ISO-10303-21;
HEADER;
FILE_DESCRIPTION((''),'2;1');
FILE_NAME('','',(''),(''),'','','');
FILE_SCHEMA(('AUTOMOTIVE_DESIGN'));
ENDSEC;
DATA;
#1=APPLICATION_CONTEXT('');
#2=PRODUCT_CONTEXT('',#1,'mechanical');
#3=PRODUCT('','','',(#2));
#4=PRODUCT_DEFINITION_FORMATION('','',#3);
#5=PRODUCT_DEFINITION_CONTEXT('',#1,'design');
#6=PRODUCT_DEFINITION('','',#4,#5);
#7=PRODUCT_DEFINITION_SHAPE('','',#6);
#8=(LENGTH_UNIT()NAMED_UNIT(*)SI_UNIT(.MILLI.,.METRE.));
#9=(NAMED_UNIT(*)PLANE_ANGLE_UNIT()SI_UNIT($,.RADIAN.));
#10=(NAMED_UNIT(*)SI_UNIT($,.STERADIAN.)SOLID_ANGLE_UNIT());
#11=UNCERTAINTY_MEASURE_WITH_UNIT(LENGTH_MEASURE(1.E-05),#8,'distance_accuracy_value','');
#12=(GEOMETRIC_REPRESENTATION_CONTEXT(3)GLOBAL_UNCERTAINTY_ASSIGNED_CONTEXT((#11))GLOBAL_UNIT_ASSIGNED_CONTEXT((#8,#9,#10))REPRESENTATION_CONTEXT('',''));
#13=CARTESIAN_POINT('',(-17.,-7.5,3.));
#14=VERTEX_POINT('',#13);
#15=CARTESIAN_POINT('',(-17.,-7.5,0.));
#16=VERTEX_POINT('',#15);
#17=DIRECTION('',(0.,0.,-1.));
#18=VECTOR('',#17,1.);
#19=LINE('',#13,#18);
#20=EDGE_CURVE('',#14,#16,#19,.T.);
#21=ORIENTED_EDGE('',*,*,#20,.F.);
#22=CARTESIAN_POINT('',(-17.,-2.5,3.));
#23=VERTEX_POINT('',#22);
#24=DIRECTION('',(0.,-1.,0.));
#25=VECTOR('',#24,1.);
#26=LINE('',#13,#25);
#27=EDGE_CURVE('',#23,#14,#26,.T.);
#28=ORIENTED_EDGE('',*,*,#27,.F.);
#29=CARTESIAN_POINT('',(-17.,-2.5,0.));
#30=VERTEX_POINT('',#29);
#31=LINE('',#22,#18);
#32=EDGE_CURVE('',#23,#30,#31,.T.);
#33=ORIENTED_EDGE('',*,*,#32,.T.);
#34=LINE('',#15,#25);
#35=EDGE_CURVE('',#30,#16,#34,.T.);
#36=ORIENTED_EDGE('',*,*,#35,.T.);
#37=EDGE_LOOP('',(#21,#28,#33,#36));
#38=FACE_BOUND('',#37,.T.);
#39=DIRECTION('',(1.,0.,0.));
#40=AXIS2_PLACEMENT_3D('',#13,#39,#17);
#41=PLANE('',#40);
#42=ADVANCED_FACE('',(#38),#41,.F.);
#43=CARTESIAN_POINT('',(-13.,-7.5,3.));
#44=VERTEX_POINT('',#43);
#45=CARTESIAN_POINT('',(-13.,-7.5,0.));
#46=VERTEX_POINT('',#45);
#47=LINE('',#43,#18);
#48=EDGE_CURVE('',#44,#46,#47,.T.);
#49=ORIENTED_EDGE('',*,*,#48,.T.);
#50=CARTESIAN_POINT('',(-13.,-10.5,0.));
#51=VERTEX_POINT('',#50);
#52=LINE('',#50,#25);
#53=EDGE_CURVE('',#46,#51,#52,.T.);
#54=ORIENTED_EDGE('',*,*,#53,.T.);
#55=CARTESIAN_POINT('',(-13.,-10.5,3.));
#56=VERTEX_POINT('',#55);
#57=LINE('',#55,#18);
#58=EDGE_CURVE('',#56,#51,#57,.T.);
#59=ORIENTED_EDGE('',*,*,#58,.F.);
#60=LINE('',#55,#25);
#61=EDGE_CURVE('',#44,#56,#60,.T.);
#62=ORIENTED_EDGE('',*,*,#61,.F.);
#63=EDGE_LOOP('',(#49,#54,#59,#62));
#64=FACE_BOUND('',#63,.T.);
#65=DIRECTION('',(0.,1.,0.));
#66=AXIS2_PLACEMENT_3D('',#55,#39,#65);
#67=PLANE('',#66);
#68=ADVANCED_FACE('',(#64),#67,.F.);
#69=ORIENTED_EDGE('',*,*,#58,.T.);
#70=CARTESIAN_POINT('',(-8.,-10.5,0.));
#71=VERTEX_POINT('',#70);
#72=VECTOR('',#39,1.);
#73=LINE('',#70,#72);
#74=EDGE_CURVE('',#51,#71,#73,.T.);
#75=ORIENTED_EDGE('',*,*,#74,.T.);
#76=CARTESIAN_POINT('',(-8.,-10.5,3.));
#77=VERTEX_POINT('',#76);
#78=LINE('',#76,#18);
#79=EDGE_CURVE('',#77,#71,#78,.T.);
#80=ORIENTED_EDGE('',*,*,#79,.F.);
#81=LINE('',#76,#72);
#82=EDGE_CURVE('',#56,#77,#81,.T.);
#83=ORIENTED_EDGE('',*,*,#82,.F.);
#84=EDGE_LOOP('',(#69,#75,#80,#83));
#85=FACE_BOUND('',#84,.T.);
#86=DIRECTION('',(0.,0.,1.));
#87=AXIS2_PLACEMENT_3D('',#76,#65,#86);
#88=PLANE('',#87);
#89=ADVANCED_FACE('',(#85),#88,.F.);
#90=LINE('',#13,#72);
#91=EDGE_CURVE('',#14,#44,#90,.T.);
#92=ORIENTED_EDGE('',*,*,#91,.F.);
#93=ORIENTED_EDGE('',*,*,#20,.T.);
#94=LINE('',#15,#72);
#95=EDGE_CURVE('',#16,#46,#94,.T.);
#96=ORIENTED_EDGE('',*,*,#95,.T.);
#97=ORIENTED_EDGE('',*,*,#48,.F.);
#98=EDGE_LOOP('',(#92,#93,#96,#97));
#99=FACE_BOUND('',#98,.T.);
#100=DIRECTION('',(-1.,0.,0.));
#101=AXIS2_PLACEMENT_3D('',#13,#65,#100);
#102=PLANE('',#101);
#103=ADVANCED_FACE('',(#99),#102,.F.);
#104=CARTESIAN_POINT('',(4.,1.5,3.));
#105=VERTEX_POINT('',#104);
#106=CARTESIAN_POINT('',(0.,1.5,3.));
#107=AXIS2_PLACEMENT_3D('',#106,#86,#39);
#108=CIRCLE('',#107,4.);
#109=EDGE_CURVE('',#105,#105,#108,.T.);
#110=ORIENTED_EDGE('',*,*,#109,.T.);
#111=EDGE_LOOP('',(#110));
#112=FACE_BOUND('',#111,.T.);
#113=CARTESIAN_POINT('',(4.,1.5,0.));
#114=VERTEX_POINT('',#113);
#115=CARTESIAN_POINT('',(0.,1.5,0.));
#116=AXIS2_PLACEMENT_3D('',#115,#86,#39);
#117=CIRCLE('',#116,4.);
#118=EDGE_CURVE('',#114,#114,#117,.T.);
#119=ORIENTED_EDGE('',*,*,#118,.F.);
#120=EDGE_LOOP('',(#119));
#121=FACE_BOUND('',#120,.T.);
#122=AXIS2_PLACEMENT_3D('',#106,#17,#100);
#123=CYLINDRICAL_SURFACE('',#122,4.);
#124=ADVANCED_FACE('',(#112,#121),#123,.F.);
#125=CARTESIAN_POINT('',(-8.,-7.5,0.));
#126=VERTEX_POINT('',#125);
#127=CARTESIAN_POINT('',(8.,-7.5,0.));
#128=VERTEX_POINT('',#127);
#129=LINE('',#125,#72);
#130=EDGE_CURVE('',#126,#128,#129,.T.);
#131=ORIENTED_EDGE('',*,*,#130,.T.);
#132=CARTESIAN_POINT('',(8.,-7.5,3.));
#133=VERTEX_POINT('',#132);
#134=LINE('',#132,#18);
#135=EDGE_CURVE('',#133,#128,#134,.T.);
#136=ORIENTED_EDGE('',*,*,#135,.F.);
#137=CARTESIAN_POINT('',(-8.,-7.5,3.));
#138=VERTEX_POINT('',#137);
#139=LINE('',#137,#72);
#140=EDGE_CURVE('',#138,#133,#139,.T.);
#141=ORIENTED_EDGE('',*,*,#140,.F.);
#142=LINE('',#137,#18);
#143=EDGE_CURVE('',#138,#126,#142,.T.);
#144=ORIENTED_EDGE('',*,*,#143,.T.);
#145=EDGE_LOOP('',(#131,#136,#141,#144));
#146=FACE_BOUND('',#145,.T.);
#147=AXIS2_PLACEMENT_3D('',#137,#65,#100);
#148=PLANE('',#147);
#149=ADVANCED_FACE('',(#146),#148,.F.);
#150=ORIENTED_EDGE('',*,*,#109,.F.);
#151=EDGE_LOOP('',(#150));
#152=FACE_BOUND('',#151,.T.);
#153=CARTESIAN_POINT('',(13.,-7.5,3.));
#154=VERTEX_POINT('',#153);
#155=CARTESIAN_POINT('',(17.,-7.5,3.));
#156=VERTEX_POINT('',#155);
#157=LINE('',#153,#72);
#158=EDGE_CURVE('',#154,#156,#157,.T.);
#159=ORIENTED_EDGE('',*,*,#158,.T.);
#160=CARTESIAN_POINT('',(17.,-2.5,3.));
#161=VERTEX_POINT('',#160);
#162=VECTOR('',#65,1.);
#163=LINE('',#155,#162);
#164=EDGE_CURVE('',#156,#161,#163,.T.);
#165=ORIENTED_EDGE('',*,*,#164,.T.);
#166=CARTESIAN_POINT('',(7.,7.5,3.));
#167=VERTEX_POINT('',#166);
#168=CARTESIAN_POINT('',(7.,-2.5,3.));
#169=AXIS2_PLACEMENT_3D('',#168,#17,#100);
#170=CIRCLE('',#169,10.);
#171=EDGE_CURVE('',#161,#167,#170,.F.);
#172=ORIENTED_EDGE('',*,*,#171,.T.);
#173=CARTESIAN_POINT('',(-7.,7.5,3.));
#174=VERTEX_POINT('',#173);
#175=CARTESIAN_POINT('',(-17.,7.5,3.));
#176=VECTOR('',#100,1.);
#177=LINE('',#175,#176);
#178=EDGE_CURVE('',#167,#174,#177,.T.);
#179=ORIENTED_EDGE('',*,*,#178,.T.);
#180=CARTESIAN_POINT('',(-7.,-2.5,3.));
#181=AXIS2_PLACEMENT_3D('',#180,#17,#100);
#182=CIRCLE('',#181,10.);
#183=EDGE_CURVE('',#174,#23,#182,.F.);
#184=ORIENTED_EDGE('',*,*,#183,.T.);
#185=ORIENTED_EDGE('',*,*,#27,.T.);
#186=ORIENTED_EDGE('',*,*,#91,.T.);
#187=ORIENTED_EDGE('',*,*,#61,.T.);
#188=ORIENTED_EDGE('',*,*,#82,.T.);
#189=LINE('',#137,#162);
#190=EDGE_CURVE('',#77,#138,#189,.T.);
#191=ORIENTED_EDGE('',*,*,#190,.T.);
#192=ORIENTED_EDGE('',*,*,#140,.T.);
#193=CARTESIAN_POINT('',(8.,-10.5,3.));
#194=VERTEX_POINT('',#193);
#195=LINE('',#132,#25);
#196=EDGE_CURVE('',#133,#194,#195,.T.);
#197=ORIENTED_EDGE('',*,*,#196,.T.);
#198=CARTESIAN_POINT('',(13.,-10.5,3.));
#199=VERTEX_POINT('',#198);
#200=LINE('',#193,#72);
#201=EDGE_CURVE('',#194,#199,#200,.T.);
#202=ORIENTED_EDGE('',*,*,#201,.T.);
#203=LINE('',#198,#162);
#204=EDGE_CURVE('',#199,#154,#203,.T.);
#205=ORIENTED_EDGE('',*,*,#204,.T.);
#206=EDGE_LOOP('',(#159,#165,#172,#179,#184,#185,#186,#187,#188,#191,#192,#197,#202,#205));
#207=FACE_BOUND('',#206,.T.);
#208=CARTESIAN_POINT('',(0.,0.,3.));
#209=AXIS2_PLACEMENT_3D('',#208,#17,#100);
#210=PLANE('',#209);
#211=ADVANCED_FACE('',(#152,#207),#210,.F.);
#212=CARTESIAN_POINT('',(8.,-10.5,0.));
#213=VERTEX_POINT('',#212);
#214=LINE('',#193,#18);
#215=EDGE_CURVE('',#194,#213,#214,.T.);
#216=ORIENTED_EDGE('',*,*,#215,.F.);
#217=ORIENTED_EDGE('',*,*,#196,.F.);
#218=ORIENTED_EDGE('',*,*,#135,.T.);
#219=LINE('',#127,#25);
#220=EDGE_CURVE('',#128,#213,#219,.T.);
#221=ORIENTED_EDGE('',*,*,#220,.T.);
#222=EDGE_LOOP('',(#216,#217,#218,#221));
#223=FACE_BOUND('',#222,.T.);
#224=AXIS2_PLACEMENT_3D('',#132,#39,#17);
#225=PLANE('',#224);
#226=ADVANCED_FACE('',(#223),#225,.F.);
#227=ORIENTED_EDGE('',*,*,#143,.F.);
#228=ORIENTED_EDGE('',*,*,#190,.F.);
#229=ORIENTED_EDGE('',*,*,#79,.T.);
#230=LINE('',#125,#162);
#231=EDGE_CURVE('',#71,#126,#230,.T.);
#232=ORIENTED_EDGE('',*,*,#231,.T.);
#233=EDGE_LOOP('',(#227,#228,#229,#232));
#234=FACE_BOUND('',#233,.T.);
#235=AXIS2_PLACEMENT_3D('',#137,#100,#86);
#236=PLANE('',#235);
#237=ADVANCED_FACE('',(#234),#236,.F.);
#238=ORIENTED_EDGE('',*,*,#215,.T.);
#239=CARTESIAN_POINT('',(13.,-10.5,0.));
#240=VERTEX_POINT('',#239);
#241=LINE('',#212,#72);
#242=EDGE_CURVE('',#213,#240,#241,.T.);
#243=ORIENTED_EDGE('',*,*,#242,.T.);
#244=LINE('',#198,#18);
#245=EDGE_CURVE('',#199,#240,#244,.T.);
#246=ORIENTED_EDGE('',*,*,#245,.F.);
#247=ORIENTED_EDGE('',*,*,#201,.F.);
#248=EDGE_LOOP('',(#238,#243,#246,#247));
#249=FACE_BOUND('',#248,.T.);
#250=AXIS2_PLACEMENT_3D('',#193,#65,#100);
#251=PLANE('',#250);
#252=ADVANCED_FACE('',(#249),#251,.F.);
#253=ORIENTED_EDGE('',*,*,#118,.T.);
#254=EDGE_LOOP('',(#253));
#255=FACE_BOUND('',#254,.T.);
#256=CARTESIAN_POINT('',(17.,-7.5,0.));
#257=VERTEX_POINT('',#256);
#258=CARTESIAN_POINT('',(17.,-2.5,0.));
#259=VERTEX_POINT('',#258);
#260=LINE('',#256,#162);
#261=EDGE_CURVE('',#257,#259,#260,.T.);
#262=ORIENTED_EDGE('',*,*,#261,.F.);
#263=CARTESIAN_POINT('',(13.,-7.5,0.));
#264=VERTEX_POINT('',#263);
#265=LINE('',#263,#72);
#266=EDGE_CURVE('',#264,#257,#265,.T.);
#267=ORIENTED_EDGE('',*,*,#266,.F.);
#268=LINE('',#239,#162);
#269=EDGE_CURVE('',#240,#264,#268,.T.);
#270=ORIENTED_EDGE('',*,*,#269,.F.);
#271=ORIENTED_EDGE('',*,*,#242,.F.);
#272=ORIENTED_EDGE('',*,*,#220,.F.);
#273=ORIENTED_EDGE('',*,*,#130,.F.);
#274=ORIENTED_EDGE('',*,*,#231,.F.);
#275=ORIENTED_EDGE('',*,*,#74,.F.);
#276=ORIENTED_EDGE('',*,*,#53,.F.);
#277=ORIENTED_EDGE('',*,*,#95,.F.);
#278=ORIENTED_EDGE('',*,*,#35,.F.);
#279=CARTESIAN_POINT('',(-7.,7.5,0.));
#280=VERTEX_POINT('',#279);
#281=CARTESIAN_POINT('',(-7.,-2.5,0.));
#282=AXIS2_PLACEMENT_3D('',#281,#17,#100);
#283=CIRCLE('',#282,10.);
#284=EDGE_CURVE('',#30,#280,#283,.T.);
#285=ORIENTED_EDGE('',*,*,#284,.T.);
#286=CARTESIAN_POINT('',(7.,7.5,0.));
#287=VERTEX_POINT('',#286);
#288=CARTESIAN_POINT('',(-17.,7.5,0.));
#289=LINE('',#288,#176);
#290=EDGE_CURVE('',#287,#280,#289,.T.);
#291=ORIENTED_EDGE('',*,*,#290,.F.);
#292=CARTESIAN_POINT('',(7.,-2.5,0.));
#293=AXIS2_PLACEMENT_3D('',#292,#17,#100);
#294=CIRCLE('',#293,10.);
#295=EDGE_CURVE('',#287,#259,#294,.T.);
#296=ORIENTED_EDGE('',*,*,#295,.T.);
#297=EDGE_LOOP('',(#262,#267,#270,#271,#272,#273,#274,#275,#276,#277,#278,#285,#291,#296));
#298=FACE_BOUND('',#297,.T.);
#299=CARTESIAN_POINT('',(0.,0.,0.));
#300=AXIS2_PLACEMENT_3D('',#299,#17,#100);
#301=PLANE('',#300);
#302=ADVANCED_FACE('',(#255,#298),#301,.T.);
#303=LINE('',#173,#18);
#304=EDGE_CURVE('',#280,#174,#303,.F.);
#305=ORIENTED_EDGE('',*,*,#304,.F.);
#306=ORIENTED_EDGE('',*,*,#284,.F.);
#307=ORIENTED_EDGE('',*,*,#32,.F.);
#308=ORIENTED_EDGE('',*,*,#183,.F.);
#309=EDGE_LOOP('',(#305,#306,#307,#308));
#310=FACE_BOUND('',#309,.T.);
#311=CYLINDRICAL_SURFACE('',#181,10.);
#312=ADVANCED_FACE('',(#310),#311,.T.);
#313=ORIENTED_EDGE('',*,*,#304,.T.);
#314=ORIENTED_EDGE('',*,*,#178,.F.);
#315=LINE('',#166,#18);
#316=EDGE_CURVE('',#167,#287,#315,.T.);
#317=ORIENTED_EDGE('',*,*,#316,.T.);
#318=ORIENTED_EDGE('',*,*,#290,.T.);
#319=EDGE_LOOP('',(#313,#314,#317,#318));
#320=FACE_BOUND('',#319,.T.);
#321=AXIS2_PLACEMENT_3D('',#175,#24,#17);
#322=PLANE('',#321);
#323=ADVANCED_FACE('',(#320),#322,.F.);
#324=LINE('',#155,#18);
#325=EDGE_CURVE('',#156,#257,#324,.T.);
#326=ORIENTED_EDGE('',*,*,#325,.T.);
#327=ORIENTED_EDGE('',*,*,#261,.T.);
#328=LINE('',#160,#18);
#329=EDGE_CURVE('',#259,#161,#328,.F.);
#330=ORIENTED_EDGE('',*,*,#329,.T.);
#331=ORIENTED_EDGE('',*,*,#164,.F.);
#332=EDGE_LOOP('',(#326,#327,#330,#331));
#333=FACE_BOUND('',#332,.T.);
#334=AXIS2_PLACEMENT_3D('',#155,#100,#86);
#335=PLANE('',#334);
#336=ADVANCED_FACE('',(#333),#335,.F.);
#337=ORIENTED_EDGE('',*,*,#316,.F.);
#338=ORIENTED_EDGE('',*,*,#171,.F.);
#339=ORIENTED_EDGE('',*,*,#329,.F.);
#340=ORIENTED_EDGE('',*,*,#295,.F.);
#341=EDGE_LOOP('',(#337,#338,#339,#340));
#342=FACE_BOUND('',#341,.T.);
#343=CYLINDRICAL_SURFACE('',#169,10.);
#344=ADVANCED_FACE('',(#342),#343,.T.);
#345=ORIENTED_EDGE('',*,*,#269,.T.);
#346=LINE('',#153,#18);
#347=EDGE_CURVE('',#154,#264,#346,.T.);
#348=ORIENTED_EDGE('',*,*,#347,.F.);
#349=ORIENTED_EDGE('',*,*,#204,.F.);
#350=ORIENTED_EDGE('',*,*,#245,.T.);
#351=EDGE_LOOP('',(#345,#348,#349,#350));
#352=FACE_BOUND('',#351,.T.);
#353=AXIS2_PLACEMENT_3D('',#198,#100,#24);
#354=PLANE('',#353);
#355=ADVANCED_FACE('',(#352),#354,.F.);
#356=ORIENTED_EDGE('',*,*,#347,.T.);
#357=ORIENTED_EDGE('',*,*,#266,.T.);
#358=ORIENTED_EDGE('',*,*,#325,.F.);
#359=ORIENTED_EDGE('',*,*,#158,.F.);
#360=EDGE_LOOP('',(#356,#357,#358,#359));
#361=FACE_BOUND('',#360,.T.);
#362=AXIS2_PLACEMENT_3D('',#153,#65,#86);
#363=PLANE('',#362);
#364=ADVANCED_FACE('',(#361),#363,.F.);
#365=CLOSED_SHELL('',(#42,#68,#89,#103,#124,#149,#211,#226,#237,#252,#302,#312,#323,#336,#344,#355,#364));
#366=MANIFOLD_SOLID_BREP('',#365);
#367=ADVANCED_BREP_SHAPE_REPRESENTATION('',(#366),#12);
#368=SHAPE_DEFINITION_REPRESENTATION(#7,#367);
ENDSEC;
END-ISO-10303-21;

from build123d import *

# Parameters (mm, degrees)
SKETCH1_R           = 4
BOSS_EXTRUDE1_DEPTH = 3
FILLET1_R           = 10


with BuildPart() as part:
    # Sketch1 → Boss-Extrude1 (new body)
    with BuildSketch(Plane.XY):
        Polygon((-17, -7.5), (-13, -7.5), (-13, -10.5), (-8, -10.5), (-8, -7.5), (8, -7.5), (8, -10.5), (13, -10.5), (13, -7.5), (17, -7.5), (17, 7.5), (-17, 7.5), align=None)
        with Locations((0, 1.5)):
            Circle(SKETCH1_R, mode=Mode.SUBTRACT)
    extrude(amount=BOSS_EXTRUDE1_DEPTH)

    # Fillet1
    fillet1_edges = [part.edges().sort_by_distance(p)[0] for p in [
        (-17, 7.5, 1.5),
        (17, 7.5, 1.5),
    ]]
    fillet(fillet1_edges, radius=FILLET1_R)


solid = part.part
